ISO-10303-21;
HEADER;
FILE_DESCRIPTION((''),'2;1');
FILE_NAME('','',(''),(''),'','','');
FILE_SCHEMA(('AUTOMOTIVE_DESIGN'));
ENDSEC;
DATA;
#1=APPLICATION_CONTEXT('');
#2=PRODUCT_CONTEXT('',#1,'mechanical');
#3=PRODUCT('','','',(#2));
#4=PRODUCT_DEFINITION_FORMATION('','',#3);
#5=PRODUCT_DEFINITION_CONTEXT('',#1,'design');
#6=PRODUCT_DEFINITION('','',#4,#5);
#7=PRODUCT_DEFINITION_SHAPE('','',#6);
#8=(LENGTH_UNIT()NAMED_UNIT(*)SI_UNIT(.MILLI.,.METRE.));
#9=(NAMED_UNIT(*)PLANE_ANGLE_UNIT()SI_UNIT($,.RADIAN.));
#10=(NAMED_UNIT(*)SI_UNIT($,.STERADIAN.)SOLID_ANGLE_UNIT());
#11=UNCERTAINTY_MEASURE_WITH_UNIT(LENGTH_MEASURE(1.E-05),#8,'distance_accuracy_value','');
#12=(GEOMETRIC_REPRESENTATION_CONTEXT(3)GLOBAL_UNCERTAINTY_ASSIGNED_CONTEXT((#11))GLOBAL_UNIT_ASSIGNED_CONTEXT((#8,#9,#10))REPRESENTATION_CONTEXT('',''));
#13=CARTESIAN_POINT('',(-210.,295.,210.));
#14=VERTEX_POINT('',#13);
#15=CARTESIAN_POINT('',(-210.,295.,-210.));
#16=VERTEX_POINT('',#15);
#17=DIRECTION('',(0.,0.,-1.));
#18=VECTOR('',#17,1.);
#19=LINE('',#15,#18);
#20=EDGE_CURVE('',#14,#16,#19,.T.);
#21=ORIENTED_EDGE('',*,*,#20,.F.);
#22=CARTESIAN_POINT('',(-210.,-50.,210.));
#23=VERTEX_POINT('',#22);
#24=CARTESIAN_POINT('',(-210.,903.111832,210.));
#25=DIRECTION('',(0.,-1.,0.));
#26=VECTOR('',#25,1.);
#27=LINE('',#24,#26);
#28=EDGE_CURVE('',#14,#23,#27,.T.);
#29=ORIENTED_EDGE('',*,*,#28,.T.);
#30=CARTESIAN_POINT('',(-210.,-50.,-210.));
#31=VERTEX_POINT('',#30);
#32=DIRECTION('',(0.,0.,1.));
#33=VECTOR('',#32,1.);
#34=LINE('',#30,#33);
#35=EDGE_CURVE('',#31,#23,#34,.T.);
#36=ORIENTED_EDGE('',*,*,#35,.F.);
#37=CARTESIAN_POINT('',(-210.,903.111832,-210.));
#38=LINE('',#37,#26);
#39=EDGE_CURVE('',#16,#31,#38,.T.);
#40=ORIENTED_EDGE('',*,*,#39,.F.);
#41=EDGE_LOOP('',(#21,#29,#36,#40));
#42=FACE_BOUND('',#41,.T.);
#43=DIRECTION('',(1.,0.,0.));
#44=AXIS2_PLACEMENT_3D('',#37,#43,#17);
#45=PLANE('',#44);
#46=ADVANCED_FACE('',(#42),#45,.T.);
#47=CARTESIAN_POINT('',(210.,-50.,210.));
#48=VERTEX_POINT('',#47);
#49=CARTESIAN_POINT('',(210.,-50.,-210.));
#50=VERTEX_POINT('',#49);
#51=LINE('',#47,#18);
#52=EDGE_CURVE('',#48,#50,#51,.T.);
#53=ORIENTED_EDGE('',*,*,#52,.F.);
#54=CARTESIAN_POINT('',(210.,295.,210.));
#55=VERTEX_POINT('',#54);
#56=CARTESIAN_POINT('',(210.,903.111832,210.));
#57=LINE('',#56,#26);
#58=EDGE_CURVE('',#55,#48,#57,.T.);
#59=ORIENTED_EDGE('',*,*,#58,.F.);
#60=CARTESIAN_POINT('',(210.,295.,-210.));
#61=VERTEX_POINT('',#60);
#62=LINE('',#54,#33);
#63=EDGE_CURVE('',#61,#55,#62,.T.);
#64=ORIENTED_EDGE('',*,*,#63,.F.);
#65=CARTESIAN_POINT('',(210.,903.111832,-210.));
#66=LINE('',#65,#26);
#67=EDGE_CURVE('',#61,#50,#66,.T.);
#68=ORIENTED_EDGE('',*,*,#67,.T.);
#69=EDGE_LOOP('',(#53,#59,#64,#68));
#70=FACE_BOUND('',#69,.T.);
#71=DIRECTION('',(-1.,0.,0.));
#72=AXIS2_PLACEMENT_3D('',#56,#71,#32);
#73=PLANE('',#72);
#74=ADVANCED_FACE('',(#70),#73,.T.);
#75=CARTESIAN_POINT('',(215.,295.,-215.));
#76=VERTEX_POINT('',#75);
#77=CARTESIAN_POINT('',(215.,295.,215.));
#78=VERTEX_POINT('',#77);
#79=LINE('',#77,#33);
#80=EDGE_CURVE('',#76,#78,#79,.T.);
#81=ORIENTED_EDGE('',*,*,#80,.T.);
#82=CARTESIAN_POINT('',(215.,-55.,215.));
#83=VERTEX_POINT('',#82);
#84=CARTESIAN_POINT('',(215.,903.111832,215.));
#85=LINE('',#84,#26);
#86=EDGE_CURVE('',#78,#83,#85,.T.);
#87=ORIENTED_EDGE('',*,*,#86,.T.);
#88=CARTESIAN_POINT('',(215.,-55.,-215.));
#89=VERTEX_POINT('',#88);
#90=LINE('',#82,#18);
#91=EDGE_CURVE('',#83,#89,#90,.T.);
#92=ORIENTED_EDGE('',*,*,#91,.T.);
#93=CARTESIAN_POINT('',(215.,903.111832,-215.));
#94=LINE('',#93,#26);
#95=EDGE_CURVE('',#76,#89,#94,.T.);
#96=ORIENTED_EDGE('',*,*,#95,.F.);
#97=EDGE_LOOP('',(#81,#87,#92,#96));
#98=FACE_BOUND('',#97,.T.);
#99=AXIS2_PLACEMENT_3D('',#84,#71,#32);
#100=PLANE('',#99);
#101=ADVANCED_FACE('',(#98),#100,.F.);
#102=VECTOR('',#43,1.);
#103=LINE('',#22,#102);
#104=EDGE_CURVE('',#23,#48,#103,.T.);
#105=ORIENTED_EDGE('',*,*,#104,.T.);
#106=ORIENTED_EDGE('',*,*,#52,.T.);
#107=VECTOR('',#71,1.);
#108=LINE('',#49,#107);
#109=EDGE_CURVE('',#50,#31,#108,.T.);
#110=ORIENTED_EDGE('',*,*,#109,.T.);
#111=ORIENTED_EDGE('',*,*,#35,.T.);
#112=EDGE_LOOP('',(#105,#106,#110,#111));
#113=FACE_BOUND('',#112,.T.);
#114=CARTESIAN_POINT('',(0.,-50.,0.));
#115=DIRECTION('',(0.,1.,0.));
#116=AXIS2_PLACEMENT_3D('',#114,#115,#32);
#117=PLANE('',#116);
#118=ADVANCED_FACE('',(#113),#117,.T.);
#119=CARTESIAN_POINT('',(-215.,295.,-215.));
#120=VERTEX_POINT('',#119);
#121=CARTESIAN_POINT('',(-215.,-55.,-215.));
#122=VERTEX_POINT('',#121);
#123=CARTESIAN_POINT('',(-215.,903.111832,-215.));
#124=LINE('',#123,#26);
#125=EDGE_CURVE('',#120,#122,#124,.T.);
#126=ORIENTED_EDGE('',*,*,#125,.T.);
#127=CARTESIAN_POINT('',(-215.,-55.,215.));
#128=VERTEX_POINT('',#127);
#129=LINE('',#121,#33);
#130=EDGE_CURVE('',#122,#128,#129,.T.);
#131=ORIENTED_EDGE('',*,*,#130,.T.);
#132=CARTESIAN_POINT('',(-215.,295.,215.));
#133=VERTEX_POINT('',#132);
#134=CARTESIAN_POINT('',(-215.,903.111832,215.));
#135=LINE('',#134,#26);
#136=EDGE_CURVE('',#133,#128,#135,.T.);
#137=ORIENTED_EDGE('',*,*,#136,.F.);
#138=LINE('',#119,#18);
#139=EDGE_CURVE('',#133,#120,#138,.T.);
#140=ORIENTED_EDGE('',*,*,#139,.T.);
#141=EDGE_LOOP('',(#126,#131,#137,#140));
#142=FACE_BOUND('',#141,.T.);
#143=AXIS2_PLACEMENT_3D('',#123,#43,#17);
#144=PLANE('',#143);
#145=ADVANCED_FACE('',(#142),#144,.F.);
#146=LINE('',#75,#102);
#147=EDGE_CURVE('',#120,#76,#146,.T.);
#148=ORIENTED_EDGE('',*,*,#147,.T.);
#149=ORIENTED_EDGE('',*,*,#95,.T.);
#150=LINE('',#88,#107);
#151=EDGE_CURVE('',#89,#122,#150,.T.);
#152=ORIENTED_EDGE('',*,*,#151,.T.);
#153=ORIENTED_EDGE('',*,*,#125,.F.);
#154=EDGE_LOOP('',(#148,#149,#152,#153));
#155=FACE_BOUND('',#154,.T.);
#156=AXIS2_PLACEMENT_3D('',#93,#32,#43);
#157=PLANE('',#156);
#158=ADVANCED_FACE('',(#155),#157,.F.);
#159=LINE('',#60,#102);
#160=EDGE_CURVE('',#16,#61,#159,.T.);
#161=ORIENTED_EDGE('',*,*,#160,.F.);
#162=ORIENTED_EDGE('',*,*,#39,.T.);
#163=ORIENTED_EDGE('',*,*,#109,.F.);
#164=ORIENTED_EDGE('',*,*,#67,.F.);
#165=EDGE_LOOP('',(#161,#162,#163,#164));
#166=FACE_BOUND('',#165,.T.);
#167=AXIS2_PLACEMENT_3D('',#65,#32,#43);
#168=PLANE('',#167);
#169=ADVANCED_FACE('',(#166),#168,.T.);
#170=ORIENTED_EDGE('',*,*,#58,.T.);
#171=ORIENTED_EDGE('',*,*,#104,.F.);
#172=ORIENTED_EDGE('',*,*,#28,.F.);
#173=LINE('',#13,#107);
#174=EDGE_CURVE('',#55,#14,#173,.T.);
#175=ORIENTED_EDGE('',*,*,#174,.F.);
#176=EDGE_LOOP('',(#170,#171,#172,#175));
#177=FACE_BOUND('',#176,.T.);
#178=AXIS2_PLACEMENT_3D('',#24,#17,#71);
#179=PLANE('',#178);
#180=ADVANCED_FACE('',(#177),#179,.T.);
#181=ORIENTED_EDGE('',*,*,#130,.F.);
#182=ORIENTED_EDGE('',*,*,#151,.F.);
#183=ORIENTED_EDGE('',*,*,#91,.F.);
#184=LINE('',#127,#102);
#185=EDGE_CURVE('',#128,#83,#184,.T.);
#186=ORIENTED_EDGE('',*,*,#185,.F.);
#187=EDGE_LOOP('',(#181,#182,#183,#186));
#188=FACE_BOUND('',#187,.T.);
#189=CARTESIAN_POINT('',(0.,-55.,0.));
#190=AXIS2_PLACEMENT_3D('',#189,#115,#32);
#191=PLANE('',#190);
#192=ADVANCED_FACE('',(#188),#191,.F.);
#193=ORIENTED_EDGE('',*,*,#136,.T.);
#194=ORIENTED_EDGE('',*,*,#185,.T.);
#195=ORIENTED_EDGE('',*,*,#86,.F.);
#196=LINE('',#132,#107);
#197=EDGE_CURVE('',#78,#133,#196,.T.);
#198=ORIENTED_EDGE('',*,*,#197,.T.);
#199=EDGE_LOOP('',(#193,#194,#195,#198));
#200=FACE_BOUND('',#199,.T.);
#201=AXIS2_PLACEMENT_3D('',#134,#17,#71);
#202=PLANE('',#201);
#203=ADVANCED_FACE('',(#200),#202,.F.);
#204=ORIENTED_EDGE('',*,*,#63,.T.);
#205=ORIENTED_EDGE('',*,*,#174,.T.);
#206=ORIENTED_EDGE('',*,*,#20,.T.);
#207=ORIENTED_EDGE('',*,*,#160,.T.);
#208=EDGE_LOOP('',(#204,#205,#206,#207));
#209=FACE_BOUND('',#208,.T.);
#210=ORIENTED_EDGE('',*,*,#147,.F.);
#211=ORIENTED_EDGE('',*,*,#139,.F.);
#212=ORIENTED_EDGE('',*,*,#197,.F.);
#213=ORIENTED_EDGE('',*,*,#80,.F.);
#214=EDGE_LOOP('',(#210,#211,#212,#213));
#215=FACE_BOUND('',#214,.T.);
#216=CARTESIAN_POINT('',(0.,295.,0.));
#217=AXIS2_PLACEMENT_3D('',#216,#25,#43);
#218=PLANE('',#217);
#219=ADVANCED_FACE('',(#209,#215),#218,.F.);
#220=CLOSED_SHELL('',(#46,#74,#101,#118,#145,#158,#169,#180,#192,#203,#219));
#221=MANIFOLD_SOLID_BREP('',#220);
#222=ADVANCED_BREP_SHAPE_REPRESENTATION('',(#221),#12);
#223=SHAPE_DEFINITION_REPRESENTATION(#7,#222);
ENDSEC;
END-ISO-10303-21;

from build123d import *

# Parameters (mm, degrees)
SKETCH_1_W      = 430
SKETCH_1_H      = 430
SKETCH_1_W_2    = 420
SKETCH_1_H_2    = 420
EXTRUDE_1_DEPTH = 350
SKETCH_2_W      = 430
SKETCH_2_H      = 430
EXTRUDE_2_DEPTH = 5


with BuildPart() as part:
    # Эскиз1 → Бобышка-Вытянуть1 (new body)
    with BuildSketch(Plane(origin=(0, -55, 0), x_dir=(1, 0, 0), z_dir=(0, 1, 0))):
        Rectangle(SKETCH_1_W, SKETCH_1_H)
        Rectangle(SKETCH_1_W_2, SKETCH_1_H_2, mode=Mode.SUBTRACT)
    extrude(amount=EXTRUDE_1_DEPTH)

    # Эскиз2 → Бобышка-Вытянуть2 (add)
    with BuildSketch(Plane(origin=(0, -55, 0), x_dir=(1, 0, 0), z_dir=(0, 1, 0))):
        Rectangle(SKETCH_2_W, SKETCH_2_H)
    extrude(amount=EXTRUDE_2_DEPTH)


solid = part.part
